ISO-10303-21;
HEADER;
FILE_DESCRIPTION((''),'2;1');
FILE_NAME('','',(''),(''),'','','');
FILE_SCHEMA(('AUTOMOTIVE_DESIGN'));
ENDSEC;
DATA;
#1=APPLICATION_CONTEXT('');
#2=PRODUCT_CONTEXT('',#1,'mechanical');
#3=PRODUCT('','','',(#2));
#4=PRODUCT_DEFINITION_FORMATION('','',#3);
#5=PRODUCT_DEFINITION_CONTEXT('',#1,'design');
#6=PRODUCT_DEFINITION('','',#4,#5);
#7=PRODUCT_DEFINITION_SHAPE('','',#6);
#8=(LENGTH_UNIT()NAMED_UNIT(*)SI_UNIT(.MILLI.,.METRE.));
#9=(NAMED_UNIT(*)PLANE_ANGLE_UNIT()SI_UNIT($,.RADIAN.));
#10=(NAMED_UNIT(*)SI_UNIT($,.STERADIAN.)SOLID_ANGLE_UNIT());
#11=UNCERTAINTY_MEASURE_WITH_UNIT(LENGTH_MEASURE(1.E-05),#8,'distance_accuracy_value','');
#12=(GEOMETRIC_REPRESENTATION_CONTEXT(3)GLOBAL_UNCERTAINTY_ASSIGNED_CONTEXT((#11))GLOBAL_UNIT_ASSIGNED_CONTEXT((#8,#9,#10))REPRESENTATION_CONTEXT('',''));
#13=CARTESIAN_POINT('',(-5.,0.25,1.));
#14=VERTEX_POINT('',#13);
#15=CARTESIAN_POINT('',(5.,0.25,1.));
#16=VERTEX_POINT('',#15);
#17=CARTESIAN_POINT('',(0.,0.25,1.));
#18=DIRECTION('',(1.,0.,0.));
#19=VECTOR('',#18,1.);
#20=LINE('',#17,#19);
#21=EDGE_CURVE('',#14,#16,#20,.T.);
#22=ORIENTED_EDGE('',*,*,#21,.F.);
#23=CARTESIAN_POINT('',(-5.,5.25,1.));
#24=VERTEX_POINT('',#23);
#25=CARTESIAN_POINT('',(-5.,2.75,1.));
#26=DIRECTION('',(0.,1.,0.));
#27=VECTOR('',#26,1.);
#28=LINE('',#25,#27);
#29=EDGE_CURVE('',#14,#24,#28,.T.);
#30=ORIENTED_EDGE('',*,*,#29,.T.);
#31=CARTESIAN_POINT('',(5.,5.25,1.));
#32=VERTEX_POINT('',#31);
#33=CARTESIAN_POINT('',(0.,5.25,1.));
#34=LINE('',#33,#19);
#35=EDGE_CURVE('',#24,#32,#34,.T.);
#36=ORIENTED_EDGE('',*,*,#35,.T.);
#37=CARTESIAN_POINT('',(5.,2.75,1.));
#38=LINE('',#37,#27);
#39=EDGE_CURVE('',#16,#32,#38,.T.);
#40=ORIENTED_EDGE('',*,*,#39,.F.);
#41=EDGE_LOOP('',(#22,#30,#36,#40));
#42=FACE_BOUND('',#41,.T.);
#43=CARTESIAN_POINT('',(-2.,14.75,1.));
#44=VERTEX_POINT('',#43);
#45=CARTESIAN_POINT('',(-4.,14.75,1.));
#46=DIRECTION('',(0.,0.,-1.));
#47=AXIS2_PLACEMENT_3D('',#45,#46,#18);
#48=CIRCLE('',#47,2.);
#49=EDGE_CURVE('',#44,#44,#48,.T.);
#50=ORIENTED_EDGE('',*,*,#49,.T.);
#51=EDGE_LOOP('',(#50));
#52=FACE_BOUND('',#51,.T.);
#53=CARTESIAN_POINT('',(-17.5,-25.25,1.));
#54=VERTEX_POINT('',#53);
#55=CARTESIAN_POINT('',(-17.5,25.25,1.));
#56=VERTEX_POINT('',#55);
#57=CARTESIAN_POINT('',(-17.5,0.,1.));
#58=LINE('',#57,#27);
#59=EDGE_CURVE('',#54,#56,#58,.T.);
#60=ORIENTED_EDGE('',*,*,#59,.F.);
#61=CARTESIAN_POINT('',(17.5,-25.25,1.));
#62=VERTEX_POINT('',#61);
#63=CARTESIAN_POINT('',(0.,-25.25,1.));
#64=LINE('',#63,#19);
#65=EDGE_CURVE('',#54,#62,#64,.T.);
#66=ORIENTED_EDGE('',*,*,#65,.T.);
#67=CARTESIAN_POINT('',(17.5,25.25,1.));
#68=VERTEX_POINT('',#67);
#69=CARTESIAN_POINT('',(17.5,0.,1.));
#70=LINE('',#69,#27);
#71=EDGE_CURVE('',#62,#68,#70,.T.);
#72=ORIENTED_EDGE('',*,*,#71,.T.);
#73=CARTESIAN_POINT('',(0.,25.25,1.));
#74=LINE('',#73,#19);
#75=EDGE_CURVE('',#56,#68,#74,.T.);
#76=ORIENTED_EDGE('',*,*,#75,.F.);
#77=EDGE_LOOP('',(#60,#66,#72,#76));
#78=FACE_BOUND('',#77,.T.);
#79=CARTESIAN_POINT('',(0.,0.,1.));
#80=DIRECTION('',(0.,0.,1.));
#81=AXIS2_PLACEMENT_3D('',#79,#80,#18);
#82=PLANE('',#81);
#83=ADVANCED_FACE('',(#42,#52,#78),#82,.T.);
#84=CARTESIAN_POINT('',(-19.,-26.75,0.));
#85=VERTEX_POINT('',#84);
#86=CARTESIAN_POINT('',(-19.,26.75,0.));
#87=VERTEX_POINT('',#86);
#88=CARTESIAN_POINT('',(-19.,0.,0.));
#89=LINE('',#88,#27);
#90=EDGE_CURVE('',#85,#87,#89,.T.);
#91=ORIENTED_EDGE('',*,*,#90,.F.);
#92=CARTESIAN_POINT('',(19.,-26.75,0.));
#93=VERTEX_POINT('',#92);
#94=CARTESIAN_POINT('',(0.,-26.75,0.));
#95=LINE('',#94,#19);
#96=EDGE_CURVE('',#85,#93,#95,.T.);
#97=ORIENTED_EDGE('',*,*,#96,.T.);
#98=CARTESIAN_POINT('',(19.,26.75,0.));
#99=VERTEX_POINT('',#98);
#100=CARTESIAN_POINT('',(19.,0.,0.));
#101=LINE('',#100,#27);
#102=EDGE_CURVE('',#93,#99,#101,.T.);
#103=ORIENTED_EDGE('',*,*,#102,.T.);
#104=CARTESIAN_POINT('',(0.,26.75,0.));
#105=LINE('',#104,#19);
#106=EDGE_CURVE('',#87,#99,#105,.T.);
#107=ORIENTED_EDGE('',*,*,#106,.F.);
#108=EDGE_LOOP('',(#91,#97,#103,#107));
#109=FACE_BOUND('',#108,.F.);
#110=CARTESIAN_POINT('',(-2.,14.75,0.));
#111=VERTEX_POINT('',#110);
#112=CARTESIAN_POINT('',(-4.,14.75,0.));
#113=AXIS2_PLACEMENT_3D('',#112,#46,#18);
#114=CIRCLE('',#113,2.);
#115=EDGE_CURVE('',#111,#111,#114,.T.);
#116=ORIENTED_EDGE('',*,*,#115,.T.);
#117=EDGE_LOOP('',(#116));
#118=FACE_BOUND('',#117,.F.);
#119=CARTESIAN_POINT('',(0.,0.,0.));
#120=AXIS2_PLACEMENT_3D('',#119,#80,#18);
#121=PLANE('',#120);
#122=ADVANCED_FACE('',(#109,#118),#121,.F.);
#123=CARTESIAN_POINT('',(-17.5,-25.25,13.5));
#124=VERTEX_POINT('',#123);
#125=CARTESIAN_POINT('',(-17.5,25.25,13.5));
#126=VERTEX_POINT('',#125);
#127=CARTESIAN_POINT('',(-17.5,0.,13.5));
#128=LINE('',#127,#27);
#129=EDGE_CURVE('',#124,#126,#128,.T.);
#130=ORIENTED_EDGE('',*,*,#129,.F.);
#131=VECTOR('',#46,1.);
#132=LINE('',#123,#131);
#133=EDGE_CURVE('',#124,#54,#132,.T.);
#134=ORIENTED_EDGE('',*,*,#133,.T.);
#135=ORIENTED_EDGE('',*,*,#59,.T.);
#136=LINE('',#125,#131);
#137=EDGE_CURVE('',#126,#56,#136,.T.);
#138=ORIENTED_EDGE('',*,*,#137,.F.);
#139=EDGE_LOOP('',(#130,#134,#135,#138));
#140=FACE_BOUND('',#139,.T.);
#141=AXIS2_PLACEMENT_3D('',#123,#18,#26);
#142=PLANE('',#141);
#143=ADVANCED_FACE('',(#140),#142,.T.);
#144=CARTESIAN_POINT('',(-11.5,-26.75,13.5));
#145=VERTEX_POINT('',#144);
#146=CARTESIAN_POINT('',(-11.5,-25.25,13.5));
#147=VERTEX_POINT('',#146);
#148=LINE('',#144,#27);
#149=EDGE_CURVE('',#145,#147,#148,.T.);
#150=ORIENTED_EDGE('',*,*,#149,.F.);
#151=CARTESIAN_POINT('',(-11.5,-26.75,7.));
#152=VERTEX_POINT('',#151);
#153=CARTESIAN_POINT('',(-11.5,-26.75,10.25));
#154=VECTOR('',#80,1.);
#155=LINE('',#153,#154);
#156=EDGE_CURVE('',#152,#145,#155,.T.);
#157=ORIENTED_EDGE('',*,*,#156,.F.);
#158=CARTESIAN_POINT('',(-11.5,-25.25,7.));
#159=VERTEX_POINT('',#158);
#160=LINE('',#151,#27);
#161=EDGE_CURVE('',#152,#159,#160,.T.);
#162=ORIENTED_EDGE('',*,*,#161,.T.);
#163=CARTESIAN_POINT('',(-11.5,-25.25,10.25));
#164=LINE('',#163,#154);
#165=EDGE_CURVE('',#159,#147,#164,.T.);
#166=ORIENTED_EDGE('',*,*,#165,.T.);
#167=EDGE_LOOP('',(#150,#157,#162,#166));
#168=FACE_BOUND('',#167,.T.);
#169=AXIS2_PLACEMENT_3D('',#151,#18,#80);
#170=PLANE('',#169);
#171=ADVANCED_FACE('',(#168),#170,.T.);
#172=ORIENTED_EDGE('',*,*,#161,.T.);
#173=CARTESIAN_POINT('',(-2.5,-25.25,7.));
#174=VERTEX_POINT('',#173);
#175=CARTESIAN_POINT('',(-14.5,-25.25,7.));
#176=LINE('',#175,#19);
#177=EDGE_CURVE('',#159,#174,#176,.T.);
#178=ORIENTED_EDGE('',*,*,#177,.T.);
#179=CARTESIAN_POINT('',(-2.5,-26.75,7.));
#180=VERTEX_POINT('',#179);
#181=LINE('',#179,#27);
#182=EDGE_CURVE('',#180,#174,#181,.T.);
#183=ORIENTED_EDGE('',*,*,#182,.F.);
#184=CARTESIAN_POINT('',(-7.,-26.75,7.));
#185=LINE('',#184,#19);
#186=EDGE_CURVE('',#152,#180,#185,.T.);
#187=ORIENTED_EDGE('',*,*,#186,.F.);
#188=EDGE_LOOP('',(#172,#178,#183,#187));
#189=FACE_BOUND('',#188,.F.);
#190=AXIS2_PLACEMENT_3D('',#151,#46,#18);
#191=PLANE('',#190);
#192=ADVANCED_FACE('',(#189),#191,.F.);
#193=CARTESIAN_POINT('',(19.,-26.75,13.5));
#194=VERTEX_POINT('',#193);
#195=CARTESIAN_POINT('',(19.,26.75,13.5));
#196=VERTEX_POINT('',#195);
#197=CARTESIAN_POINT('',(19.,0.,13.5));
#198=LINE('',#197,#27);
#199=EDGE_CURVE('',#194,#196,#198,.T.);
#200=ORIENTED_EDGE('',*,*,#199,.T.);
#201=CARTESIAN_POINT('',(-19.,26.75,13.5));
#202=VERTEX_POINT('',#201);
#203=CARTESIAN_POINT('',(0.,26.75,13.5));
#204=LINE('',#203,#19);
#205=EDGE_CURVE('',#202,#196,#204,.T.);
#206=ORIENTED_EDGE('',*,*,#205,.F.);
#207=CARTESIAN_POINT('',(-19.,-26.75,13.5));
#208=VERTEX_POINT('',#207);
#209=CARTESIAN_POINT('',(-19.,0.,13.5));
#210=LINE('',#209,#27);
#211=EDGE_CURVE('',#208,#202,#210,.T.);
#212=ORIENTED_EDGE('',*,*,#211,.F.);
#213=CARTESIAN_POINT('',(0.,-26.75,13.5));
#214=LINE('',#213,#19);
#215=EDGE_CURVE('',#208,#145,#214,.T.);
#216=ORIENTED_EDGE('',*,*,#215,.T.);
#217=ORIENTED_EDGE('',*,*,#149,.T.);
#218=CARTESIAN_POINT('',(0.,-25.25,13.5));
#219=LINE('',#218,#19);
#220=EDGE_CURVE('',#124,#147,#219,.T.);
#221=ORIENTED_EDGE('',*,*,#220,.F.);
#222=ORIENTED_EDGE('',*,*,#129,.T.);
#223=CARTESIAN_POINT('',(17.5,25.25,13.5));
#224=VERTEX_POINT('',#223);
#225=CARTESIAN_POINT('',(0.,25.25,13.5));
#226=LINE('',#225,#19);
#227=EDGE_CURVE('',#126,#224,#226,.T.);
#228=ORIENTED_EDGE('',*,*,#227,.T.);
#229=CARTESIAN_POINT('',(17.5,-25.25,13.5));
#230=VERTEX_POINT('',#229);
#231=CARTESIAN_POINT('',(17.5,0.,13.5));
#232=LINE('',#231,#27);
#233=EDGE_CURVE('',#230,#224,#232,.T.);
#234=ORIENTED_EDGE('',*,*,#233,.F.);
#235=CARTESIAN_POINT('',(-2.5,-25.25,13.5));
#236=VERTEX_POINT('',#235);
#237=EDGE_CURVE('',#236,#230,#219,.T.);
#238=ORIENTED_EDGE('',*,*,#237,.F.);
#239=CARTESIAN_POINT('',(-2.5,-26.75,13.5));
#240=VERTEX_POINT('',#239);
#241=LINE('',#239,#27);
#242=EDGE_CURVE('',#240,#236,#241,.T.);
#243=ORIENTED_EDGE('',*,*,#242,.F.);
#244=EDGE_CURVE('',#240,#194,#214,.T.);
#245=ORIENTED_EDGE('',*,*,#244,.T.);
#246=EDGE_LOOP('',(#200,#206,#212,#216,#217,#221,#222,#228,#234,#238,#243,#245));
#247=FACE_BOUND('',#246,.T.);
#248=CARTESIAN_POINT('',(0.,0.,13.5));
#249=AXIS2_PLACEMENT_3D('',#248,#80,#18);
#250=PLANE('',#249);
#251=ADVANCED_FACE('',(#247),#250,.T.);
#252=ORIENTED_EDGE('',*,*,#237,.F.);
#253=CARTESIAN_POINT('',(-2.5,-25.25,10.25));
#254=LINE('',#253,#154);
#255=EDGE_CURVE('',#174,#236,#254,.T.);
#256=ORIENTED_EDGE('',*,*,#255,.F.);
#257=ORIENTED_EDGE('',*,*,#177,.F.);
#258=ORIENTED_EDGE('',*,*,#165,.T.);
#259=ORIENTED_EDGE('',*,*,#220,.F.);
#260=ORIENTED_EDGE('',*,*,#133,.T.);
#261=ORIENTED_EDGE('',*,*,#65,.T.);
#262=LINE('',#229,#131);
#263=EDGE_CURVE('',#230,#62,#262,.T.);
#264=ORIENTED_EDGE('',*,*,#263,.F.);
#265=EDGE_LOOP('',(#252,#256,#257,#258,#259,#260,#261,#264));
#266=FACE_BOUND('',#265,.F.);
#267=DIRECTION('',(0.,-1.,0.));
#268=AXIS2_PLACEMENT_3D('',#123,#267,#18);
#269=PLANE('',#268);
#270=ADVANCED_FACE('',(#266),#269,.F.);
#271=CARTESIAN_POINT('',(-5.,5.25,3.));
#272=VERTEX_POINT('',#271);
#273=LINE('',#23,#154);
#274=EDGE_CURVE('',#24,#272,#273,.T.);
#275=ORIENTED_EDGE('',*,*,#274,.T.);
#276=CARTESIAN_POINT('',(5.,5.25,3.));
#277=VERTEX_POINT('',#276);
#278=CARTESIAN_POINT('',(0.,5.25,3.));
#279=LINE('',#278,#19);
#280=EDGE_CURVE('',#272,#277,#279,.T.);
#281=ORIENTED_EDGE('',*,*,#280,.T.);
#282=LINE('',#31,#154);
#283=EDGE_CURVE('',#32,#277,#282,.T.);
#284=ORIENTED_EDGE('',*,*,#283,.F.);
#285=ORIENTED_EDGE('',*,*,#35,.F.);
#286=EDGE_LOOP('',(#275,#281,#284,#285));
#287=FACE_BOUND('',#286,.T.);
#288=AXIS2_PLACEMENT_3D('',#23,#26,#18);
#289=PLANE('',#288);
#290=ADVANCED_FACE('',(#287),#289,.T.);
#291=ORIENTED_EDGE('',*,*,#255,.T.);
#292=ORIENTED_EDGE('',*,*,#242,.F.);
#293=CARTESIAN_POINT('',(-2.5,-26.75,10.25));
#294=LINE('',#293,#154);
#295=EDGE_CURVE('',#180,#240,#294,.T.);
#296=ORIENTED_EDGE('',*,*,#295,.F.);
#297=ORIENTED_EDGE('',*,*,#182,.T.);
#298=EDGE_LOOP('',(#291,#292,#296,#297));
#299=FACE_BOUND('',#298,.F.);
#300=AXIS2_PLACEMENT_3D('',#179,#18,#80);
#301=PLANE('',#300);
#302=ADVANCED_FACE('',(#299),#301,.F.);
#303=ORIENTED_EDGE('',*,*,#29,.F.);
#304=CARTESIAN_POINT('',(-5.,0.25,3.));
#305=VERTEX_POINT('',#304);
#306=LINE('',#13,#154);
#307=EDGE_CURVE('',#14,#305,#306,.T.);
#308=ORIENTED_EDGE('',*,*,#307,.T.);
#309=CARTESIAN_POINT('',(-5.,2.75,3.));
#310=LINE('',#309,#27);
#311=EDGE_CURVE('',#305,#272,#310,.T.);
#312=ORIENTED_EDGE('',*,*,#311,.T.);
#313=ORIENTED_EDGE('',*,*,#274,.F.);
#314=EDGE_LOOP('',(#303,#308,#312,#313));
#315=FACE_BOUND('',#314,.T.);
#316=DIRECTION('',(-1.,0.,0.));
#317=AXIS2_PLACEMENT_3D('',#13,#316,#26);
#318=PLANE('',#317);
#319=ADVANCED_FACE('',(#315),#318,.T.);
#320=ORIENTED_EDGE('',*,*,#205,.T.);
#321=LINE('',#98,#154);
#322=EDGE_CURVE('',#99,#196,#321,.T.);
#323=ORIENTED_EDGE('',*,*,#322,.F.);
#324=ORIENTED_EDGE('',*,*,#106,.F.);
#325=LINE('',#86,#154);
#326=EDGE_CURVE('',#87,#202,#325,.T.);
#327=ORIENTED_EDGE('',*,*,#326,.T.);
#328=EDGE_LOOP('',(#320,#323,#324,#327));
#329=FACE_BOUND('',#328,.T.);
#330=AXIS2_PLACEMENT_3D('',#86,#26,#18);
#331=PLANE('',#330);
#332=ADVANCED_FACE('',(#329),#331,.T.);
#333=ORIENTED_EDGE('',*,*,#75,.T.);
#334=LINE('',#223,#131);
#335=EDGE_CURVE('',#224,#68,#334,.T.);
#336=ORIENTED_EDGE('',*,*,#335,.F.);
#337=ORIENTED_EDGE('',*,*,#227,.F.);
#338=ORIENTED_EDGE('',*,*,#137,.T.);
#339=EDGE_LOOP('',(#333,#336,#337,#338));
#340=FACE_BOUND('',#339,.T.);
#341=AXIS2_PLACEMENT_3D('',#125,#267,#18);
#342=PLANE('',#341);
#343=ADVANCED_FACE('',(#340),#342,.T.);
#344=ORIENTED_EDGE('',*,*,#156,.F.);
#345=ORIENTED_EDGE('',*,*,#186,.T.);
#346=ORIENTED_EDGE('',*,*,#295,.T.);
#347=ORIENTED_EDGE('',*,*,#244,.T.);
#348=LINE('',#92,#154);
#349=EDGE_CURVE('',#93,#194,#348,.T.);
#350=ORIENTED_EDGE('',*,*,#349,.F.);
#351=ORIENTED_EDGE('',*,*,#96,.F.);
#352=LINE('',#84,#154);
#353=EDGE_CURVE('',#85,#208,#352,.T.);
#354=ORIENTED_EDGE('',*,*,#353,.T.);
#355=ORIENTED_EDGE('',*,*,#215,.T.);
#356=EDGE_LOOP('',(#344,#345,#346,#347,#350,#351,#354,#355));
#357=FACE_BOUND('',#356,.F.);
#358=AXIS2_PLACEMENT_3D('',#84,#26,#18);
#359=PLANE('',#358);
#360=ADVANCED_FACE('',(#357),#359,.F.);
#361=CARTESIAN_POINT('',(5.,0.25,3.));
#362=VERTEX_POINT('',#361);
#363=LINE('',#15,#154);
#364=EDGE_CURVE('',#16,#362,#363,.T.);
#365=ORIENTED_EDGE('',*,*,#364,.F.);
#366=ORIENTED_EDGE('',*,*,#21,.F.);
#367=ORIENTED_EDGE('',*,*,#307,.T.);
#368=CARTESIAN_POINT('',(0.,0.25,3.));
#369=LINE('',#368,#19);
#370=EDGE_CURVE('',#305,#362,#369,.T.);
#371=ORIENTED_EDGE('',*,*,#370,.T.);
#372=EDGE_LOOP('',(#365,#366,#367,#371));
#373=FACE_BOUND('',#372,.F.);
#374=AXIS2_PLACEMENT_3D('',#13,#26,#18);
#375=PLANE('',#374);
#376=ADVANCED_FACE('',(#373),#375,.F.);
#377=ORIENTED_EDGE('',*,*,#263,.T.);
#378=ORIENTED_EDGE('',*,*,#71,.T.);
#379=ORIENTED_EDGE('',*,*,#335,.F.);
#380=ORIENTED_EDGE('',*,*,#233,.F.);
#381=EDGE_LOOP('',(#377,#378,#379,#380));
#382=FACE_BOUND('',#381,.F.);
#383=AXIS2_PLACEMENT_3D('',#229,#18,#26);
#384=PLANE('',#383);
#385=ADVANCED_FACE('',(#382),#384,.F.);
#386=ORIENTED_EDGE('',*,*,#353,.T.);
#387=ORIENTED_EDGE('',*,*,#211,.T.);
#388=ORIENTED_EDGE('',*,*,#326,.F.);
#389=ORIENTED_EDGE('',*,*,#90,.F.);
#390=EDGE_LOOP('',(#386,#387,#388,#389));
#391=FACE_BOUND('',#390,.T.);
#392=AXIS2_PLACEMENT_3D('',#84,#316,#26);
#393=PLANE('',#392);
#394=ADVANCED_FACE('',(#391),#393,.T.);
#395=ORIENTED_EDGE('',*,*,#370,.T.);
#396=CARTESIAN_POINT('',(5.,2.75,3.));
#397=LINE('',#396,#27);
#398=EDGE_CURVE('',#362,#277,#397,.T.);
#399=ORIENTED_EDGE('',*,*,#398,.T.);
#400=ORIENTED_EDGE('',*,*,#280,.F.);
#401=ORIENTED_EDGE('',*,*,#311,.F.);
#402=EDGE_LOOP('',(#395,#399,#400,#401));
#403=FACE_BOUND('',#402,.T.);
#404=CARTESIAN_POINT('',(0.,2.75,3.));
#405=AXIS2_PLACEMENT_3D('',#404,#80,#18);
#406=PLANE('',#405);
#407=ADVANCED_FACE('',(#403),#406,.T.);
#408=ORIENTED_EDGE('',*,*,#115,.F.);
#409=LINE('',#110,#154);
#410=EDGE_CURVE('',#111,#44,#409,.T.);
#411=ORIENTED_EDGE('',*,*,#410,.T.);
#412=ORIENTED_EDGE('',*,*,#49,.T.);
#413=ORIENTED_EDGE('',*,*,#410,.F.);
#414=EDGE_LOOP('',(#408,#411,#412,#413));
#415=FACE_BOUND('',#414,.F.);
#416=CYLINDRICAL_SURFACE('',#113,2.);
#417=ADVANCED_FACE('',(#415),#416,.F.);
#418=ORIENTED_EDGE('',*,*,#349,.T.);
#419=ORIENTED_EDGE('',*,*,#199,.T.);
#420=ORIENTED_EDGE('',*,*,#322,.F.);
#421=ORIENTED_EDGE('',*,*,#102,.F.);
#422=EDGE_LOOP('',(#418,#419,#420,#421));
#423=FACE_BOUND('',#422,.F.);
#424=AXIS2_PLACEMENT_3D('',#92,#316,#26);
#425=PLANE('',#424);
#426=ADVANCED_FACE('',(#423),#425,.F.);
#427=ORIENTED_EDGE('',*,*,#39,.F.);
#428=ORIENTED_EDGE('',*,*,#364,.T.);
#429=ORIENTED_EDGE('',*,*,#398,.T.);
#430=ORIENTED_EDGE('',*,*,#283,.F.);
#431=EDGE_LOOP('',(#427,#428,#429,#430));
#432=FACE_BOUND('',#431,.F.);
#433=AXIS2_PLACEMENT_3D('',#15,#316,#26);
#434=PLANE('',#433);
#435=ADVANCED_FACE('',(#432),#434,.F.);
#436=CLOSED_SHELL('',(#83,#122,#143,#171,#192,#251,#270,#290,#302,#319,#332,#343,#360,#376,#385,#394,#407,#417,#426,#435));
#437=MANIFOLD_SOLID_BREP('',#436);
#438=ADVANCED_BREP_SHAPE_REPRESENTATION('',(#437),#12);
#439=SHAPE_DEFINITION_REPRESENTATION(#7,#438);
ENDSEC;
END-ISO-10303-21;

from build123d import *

# Parameters (mm, degrees)
F0_W     = 38
F0_H     = 53.5
F1_DEPTH = 13.5
F2_W     = 35
F2_H     = 50.5
F3_DEPTH = 12.5
F4_R     = 2
F5_DEPTH = 25
F6_W     = 9
F6_H     = 6.5
F7_DEPTH = 25
F8_W     = 10
F8_H     = 5
F9_DEPTH = 2


with BuildPart() as f1:
    # F0 (on Top) → F1 (new body)
    with BuildSketch(Plane.XY):
        Rectangle(F0_W, F0_H)
    extrude(amount=F1_DEPTH)

    # F2 (on face) → F3 (cut)
    with BuildSketch(Plane.XY.offset(13.5)):
        Rectangle(F2_W, F2_H)
    extrude(amount=-F3_DEPTH, mode=Mode.SUBTRACT)

    # F4 (on face) → F5 (cut)
    with BuildSketch(Plane(origin=(0, 0, 0), x_dir=(1, 0, 0), z_dir=(0, 0, -1))):
        with Locations((-4, -14.75)):
            Circle(F4_R)
    extrude(amount=-F5_DEPTH, mode=Mode.SUBTRACT)

    # F6 (on face) → F7 (cut)
    with BuildSketch(Plane.XZ.offset(26.75)):
        with Locations((-7, 10.25)):
            Rectangle(F6_W, F6_H)
    extrude(amount=-F7_DEPTH, mode=Mode.SUBTRACT)

    # F8 (on face) → F9 (join)
    with BuildSketch(Plane.XY.offset(1)):
        with Locations((0, 2.75)):
            Rectangle(F8_W, F8_H)
    extrude(amount=F9_DEPTH)


solid = f1.part
